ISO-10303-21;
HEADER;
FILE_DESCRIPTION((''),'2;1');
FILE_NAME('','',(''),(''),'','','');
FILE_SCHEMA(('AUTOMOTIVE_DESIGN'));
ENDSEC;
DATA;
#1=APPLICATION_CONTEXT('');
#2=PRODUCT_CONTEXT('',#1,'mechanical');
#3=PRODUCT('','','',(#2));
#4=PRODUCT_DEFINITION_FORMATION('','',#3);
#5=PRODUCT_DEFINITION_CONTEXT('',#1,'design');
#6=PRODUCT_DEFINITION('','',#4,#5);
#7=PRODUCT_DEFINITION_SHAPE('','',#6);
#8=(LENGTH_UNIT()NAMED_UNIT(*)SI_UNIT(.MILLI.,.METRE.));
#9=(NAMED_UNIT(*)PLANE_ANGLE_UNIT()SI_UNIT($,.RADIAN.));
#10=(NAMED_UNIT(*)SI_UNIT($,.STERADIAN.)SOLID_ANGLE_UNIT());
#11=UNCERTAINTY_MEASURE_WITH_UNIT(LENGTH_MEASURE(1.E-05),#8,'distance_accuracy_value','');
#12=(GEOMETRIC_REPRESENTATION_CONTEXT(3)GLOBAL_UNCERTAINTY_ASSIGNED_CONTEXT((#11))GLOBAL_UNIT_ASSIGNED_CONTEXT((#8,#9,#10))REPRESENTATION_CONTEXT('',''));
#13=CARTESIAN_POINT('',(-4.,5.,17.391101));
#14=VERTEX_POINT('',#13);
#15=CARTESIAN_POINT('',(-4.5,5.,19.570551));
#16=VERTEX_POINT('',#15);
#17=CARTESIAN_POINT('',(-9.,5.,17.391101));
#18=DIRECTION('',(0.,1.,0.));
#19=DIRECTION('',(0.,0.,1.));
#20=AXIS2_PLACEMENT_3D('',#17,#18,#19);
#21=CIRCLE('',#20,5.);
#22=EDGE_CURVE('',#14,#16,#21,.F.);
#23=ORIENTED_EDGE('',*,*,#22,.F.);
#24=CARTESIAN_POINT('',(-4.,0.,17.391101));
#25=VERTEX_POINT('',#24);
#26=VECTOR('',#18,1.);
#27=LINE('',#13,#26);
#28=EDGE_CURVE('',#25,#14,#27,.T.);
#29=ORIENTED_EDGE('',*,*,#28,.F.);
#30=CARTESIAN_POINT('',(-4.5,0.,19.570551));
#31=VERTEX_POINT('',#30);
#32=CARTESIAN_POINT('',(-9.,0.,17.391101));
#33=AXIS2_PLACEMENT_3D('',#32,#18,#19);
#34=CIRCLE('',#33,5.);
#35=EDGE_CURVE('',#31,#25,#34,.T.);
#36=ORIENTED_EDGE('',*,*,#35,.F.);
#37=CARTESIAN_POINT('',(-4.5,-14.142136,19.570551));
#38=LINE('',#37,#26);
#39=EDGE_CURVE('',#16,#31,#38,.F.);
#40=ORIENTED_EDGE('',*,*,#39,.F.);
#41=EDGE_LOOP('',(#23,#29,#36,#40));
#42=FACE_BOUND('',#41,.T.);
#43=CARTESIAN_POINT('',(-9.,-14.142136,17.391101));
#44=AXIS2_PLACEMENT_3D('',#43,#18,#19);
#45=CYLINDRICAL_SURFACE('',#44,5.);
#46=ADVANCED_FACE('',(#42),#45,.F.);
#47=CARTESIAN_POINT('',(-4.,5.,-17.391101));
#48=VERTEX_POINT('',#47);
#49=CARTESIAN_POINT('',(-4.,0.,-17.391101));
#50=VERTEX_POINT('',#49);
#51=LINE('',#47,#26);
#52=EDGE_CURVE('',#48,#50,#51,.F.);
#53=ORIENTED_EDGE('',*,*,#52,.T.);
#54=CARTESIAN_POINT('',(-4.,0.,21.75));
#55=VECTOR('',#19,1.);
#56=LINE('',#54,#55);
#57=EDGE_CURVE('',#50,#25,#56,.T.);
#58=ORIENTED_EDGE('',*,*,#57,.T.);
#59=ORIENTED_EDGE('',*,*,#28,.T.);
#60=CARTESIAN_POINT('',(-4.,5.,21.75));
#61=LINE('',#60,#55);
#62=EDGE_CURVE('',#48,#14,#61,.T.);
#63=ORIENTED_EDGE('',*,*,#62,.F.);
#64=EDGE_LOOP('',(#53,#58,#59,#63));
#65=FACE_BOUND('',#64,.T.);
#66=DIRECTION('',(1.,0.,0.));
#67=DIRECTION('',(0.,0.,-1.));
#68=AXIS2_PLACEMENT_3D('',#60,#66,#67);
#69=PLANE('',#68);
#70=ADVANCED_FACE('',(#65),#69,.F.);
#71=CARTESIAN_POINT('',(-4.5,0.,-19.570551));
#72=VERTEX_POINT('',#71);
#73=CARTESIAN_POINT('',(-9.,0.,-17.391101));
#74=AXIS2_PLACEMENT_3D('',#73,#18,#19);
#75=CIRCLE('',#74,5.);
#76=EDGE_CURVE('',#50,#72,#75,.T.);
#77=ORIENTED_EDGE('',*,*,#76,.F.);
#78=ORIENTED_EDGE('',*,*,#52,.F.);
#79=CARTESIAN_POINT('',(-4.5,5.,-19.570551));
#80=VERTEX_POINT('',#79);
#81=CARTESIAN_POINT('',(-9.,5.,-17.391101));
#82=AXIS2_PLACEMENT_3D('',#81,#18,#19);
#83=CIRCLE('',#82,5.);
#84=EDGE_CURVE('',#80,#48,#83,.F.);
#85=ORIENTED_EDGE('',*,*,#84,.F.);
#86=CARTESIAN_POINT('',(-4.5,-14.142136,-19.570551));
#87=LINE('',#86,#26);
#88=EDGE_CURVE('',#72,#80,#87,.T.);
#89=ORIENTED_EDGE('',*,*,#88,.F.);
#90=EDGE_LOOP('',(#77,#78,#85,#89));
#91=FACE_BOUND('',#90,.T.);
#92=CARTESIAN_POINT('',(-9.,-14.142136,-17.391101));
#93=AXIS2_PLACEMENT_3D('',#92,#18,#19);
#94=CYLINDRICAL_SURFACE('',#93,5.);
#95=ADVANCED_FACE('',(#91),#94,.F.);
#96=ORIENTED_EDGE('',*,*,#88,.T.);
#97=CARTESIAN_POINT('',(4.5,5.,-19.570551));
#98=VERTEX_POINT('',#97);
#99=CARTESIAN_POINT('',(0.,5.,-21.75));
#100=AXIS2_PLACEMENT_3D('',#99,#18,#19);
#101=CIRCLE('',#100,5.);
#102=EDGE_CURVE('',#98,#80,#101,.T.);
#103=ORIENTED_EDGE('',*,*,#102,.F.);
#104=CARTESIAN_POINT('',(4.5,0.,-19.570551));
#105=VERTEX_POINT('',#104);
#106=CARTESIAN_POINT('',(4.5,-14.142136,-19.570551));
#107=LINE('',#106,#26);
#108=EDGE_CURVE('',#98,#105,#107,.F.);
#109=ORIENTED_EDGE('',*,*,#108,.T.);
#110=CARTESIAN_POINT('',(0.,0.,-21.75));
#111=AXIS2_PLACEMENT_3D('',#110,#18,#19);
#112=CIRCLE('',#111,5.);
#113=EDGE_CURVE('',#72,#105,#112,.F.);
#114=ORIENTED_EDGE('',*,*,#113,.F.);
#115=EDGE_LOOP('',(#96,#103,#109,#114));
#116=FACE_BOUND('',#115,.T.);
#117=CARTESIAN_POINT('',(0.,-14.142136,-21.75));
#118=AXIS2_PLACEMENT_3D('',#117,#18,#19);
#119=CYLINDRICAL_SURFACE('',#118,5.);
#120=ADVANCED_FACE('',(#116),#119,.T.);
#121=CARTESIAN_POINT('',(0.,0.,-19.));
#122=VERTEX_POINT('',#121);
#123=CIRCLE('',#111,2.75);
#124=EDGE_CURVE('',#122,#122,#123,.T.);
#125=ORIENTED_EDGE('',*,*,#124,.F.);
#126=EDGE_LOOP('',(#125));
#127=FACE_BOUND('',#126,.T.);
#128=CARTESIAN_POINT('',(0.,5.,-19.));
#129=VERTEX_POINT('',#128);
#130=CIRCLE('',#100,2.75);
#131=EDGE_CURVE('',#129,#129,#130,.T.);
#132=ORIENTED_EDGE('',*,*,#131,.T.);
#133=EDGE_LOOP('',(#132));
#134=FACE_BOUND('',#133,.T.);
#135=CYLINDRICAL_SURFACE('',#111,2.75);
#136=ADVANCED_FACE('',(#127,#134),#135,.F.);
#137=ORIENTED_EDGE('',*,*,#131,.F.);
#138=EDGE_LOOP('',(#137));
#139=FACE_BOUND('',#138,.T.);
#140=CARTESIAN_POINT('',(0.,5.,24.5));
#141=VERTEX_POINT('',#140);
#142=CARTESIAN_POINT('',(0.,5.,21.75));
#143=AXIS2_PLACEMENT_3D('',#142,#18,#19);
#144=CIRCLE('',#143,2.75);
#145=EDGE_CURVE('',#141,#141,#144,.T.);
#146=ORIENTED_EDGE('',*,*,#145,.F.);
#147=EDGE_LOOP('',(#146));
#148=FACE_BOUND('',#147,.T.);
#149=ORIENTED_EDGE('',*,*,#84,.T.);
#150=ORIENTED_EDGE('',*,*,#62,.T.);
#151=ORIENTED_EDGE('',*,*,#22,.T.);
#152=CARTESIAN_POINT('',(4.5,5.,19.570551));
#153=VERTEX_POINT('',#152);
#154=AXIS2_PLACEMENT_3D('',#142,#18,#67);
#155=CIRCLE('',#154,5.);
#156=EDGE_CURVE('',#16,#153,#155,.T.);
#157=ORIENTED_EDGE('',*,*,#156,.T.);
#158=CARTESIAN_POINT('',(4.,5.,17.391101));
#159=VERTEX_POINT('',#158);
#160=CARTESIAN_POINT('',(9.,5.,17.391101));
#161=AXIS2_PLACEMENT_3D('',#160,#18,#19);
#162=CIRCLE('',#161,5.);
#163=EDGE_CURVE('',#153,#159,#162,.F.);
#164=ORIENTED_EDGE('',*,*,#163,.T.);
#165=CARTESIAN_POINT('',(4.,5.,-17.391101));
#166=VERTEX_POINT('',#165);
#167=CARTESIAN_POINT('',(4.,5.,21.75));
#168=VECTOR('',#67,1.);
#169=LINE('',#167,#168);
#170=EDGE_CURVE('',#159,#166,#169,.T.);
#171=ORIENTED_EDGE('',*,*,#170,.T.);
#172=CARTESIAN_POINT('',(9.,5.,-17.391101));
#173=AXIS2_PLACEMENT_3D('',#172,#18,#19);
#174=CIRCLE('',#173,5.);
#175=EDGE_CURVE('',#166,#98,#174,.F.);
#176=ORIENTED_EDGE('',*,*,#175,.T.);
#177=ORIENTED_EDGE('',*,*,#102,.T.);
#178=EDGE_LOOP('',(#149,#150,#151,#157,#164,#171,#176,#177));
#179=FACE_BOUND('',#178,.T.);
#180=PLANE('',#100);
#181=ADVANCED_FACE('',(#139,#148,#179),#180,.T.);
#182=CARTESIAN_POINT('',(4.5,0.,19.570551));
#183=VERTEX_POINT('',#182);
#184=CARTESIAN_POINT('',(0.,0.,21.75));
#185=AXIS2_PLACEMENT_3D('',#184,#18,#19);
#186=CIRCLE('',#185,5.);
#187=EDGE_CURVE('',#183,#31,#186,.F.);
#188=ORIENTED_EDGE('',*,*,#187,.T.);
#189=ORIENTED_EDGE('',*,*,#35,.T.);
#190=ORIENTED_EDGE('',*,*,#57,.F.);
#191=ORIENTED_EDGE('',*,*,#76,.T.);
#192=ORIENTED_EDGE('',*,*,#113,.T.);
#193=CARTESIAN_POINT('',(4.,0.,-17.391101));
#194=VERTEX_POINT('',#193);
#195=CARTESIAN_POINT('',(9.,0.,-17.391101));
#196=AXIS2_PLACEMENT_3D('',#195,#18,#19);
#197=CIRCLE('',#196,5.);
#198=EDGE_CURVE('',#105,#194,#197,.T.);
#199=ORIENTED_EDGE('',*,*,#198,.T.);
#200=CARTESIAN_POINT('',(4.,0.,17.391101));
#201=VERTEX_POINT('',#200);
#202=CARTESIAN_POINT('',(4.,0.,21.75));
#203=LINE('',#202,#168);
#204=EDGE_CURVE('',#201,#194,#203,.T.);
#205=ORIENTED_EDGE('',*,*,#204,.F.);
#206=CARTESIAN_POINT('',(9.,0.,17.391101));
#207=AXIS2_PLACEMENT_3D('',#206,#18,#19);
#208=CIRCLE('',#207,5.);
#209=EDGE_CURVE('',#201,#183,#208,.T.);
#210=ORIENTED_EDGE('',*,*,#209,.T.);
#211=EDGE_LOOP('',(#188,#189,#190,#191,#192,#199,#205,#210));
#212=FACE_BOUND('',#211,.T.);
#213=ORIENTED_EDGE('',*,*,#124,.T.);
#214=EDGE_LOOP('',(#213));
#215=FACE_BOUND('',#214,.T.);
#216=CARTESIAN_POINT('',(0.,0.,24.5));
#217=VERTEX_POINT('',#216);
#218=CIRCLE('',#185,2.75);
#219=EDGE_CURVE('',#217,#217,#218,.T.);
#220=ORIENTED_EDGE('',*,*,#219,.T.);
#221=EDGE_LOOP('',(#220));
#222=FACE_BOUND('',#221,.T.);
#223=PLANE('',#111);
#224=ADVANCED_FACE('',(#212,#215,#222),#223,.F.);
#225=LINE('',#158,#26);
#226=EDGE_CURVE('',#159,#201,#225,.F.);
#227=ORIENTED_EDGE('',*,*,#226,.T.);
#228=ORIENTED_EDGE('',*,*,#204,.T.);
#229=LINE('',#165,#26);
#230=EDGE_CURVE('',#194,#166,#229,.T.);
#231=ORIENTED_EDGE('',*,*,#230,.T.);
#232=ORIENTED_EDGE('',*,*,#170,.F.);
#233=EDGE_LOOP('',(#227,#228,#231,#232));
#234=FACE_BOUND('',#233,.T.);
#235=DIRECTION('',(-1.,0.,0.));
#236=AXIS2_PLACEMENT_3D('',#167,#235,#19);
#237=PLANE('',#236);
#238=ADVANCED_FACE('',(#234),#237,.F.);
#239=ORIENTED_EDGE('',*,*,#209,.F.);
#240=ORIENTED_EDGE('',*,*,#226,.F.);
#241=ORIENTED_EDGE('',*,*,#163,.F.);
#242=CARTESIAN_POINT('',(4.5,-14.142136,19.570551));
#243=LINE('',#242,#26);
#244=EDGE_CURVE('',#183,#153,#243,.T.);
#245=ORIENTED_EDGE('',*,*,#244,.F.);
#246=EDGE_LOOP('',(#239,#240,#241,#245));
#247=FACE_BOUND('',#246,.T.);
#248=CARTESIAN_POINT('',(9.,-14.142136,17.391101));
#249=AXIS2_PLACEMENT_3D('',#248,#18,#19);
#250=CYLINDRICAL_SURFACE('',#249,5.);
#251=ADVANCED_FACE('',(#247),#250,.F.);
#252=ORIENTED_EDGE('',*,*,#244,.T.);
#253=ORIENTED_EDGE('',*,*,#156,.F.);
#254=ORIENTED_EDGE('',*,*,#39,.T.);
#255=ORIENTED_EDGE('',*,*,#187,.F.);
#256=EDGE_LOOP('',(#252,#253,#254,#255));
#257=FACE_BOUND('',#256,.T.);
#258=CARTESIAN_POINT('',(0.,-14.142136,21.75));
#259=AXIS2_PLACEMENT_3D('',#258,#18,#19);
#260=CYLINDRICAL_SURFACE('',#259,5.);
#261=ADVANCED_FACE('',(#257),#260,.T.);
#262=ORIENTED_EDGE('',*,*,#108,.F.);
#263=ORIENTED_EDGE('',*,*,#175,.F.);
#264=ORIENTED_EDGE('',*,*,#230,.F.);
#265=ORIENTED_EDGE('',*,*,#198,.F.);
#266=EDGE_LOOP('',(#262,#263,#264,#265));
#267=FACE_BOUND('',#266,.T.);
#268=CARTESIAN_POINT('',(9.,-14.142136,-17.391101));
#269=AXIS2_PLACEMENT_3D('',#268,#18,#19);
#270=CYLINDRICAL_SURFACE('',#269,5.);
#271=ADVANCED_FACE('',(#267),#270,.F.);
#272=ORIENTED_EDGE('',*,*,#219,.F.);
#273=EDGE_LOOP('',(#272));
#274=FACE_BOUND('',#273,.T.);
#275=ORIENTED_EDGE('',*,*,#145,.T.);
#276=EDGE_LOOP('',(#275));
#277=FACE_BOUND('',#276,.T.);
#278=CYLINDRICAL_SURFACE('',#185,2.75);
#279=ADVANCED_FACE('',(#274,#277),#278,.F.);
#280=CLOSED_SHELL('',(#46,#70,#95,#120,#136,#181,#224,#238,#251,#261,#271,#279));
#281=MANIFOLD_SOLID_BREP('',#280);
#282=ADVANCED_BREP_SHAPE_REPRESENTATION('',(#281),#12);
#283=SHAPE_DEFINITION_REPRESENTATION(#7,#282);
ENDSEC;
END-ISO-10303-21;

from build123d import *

# Parameters (mm, degrees)
BOSS_EXTRUDE1_DEPTH = 5
SKETCH2_R           = 2.75
CUT_EXTRUDE2_DEPTH  = 6
SKETCH3_R           = 5
SKETCH3_R_2         = 2.75
BOSS_EXTRUDE2_DEPTH = 5
FILLET1_R           = 5


with BuildPart() as part:
    # Sketch1 → Boss-Extrude1 (new body)
    with BuildSketch(Plane(origin=(0, 0, 0), x_dir=(1, 0, 0), z_dir=(0, 1, 0))):
        with BuildLine():
            Line((-4, -21.75), (-4, 21.75))
            ThreePointArc((-4, 21.75), (0, 25.75), (4, 21.75))
            Line((4, 21.75), (4, -21.75))
            ThreePointArc((4, -21.75), (0, -25.75), (-4, -21.75))
        make_face()
    extrude(amount=BOSS_EXTRUDE1_DEPTH)

    # Sketch2 → Cut-Extrude2 (cut, through all)
    with BuildSketch(Plane(origin=(0, 5, 0), x_dir=(1, 0, 0), z_dir=(0, 1, 0))):
        with Locations((0, 21.75)):
            Circle(SKETCH2_R)
        with Locations((0, -21.75)):
            Circle(SKETCH2_R)
    extrude(amount=-CUT_EXTRUDE2_DEPTH, mode=Mode.SUBTRACT)

    # Sketch3 → Boss-Extrude2 (add)
    with BuildSketch(Plane(origin=(0, 5, 0), x_dir=(1, 0, 0), z_dir=(0, 1, 0))):
        with Locations((0, 21.75)):
            Circle(SKETCH3_R)
        with Locations((0, 21.75)):
            Circle(SKETCH3_R_2, mode=Mode.SUBTRACT)
        with Locations((0, -21.75)):
            Circle(SKETCH3_R)
        with Locations((0, -21.75)):
            Circle(SKETCH3_R_2, mode=Mode.SUBTRACT)
    extrude(amount=-BOSS_EXTRUDE2_DEPTH)

    # Fillet1
    fillet1_edges = [part.edges().sort_by_distance(p)[0] for p in [
        (-4, 2.5, -18.75),
        (4, 2.5, -18.75),
        (-4, 2.5, 18.75),
        (4, 2.5, 18.75),
    ]]
    fillet(fillet1_edges, radius=FILLET1_R)


solid = part.part
